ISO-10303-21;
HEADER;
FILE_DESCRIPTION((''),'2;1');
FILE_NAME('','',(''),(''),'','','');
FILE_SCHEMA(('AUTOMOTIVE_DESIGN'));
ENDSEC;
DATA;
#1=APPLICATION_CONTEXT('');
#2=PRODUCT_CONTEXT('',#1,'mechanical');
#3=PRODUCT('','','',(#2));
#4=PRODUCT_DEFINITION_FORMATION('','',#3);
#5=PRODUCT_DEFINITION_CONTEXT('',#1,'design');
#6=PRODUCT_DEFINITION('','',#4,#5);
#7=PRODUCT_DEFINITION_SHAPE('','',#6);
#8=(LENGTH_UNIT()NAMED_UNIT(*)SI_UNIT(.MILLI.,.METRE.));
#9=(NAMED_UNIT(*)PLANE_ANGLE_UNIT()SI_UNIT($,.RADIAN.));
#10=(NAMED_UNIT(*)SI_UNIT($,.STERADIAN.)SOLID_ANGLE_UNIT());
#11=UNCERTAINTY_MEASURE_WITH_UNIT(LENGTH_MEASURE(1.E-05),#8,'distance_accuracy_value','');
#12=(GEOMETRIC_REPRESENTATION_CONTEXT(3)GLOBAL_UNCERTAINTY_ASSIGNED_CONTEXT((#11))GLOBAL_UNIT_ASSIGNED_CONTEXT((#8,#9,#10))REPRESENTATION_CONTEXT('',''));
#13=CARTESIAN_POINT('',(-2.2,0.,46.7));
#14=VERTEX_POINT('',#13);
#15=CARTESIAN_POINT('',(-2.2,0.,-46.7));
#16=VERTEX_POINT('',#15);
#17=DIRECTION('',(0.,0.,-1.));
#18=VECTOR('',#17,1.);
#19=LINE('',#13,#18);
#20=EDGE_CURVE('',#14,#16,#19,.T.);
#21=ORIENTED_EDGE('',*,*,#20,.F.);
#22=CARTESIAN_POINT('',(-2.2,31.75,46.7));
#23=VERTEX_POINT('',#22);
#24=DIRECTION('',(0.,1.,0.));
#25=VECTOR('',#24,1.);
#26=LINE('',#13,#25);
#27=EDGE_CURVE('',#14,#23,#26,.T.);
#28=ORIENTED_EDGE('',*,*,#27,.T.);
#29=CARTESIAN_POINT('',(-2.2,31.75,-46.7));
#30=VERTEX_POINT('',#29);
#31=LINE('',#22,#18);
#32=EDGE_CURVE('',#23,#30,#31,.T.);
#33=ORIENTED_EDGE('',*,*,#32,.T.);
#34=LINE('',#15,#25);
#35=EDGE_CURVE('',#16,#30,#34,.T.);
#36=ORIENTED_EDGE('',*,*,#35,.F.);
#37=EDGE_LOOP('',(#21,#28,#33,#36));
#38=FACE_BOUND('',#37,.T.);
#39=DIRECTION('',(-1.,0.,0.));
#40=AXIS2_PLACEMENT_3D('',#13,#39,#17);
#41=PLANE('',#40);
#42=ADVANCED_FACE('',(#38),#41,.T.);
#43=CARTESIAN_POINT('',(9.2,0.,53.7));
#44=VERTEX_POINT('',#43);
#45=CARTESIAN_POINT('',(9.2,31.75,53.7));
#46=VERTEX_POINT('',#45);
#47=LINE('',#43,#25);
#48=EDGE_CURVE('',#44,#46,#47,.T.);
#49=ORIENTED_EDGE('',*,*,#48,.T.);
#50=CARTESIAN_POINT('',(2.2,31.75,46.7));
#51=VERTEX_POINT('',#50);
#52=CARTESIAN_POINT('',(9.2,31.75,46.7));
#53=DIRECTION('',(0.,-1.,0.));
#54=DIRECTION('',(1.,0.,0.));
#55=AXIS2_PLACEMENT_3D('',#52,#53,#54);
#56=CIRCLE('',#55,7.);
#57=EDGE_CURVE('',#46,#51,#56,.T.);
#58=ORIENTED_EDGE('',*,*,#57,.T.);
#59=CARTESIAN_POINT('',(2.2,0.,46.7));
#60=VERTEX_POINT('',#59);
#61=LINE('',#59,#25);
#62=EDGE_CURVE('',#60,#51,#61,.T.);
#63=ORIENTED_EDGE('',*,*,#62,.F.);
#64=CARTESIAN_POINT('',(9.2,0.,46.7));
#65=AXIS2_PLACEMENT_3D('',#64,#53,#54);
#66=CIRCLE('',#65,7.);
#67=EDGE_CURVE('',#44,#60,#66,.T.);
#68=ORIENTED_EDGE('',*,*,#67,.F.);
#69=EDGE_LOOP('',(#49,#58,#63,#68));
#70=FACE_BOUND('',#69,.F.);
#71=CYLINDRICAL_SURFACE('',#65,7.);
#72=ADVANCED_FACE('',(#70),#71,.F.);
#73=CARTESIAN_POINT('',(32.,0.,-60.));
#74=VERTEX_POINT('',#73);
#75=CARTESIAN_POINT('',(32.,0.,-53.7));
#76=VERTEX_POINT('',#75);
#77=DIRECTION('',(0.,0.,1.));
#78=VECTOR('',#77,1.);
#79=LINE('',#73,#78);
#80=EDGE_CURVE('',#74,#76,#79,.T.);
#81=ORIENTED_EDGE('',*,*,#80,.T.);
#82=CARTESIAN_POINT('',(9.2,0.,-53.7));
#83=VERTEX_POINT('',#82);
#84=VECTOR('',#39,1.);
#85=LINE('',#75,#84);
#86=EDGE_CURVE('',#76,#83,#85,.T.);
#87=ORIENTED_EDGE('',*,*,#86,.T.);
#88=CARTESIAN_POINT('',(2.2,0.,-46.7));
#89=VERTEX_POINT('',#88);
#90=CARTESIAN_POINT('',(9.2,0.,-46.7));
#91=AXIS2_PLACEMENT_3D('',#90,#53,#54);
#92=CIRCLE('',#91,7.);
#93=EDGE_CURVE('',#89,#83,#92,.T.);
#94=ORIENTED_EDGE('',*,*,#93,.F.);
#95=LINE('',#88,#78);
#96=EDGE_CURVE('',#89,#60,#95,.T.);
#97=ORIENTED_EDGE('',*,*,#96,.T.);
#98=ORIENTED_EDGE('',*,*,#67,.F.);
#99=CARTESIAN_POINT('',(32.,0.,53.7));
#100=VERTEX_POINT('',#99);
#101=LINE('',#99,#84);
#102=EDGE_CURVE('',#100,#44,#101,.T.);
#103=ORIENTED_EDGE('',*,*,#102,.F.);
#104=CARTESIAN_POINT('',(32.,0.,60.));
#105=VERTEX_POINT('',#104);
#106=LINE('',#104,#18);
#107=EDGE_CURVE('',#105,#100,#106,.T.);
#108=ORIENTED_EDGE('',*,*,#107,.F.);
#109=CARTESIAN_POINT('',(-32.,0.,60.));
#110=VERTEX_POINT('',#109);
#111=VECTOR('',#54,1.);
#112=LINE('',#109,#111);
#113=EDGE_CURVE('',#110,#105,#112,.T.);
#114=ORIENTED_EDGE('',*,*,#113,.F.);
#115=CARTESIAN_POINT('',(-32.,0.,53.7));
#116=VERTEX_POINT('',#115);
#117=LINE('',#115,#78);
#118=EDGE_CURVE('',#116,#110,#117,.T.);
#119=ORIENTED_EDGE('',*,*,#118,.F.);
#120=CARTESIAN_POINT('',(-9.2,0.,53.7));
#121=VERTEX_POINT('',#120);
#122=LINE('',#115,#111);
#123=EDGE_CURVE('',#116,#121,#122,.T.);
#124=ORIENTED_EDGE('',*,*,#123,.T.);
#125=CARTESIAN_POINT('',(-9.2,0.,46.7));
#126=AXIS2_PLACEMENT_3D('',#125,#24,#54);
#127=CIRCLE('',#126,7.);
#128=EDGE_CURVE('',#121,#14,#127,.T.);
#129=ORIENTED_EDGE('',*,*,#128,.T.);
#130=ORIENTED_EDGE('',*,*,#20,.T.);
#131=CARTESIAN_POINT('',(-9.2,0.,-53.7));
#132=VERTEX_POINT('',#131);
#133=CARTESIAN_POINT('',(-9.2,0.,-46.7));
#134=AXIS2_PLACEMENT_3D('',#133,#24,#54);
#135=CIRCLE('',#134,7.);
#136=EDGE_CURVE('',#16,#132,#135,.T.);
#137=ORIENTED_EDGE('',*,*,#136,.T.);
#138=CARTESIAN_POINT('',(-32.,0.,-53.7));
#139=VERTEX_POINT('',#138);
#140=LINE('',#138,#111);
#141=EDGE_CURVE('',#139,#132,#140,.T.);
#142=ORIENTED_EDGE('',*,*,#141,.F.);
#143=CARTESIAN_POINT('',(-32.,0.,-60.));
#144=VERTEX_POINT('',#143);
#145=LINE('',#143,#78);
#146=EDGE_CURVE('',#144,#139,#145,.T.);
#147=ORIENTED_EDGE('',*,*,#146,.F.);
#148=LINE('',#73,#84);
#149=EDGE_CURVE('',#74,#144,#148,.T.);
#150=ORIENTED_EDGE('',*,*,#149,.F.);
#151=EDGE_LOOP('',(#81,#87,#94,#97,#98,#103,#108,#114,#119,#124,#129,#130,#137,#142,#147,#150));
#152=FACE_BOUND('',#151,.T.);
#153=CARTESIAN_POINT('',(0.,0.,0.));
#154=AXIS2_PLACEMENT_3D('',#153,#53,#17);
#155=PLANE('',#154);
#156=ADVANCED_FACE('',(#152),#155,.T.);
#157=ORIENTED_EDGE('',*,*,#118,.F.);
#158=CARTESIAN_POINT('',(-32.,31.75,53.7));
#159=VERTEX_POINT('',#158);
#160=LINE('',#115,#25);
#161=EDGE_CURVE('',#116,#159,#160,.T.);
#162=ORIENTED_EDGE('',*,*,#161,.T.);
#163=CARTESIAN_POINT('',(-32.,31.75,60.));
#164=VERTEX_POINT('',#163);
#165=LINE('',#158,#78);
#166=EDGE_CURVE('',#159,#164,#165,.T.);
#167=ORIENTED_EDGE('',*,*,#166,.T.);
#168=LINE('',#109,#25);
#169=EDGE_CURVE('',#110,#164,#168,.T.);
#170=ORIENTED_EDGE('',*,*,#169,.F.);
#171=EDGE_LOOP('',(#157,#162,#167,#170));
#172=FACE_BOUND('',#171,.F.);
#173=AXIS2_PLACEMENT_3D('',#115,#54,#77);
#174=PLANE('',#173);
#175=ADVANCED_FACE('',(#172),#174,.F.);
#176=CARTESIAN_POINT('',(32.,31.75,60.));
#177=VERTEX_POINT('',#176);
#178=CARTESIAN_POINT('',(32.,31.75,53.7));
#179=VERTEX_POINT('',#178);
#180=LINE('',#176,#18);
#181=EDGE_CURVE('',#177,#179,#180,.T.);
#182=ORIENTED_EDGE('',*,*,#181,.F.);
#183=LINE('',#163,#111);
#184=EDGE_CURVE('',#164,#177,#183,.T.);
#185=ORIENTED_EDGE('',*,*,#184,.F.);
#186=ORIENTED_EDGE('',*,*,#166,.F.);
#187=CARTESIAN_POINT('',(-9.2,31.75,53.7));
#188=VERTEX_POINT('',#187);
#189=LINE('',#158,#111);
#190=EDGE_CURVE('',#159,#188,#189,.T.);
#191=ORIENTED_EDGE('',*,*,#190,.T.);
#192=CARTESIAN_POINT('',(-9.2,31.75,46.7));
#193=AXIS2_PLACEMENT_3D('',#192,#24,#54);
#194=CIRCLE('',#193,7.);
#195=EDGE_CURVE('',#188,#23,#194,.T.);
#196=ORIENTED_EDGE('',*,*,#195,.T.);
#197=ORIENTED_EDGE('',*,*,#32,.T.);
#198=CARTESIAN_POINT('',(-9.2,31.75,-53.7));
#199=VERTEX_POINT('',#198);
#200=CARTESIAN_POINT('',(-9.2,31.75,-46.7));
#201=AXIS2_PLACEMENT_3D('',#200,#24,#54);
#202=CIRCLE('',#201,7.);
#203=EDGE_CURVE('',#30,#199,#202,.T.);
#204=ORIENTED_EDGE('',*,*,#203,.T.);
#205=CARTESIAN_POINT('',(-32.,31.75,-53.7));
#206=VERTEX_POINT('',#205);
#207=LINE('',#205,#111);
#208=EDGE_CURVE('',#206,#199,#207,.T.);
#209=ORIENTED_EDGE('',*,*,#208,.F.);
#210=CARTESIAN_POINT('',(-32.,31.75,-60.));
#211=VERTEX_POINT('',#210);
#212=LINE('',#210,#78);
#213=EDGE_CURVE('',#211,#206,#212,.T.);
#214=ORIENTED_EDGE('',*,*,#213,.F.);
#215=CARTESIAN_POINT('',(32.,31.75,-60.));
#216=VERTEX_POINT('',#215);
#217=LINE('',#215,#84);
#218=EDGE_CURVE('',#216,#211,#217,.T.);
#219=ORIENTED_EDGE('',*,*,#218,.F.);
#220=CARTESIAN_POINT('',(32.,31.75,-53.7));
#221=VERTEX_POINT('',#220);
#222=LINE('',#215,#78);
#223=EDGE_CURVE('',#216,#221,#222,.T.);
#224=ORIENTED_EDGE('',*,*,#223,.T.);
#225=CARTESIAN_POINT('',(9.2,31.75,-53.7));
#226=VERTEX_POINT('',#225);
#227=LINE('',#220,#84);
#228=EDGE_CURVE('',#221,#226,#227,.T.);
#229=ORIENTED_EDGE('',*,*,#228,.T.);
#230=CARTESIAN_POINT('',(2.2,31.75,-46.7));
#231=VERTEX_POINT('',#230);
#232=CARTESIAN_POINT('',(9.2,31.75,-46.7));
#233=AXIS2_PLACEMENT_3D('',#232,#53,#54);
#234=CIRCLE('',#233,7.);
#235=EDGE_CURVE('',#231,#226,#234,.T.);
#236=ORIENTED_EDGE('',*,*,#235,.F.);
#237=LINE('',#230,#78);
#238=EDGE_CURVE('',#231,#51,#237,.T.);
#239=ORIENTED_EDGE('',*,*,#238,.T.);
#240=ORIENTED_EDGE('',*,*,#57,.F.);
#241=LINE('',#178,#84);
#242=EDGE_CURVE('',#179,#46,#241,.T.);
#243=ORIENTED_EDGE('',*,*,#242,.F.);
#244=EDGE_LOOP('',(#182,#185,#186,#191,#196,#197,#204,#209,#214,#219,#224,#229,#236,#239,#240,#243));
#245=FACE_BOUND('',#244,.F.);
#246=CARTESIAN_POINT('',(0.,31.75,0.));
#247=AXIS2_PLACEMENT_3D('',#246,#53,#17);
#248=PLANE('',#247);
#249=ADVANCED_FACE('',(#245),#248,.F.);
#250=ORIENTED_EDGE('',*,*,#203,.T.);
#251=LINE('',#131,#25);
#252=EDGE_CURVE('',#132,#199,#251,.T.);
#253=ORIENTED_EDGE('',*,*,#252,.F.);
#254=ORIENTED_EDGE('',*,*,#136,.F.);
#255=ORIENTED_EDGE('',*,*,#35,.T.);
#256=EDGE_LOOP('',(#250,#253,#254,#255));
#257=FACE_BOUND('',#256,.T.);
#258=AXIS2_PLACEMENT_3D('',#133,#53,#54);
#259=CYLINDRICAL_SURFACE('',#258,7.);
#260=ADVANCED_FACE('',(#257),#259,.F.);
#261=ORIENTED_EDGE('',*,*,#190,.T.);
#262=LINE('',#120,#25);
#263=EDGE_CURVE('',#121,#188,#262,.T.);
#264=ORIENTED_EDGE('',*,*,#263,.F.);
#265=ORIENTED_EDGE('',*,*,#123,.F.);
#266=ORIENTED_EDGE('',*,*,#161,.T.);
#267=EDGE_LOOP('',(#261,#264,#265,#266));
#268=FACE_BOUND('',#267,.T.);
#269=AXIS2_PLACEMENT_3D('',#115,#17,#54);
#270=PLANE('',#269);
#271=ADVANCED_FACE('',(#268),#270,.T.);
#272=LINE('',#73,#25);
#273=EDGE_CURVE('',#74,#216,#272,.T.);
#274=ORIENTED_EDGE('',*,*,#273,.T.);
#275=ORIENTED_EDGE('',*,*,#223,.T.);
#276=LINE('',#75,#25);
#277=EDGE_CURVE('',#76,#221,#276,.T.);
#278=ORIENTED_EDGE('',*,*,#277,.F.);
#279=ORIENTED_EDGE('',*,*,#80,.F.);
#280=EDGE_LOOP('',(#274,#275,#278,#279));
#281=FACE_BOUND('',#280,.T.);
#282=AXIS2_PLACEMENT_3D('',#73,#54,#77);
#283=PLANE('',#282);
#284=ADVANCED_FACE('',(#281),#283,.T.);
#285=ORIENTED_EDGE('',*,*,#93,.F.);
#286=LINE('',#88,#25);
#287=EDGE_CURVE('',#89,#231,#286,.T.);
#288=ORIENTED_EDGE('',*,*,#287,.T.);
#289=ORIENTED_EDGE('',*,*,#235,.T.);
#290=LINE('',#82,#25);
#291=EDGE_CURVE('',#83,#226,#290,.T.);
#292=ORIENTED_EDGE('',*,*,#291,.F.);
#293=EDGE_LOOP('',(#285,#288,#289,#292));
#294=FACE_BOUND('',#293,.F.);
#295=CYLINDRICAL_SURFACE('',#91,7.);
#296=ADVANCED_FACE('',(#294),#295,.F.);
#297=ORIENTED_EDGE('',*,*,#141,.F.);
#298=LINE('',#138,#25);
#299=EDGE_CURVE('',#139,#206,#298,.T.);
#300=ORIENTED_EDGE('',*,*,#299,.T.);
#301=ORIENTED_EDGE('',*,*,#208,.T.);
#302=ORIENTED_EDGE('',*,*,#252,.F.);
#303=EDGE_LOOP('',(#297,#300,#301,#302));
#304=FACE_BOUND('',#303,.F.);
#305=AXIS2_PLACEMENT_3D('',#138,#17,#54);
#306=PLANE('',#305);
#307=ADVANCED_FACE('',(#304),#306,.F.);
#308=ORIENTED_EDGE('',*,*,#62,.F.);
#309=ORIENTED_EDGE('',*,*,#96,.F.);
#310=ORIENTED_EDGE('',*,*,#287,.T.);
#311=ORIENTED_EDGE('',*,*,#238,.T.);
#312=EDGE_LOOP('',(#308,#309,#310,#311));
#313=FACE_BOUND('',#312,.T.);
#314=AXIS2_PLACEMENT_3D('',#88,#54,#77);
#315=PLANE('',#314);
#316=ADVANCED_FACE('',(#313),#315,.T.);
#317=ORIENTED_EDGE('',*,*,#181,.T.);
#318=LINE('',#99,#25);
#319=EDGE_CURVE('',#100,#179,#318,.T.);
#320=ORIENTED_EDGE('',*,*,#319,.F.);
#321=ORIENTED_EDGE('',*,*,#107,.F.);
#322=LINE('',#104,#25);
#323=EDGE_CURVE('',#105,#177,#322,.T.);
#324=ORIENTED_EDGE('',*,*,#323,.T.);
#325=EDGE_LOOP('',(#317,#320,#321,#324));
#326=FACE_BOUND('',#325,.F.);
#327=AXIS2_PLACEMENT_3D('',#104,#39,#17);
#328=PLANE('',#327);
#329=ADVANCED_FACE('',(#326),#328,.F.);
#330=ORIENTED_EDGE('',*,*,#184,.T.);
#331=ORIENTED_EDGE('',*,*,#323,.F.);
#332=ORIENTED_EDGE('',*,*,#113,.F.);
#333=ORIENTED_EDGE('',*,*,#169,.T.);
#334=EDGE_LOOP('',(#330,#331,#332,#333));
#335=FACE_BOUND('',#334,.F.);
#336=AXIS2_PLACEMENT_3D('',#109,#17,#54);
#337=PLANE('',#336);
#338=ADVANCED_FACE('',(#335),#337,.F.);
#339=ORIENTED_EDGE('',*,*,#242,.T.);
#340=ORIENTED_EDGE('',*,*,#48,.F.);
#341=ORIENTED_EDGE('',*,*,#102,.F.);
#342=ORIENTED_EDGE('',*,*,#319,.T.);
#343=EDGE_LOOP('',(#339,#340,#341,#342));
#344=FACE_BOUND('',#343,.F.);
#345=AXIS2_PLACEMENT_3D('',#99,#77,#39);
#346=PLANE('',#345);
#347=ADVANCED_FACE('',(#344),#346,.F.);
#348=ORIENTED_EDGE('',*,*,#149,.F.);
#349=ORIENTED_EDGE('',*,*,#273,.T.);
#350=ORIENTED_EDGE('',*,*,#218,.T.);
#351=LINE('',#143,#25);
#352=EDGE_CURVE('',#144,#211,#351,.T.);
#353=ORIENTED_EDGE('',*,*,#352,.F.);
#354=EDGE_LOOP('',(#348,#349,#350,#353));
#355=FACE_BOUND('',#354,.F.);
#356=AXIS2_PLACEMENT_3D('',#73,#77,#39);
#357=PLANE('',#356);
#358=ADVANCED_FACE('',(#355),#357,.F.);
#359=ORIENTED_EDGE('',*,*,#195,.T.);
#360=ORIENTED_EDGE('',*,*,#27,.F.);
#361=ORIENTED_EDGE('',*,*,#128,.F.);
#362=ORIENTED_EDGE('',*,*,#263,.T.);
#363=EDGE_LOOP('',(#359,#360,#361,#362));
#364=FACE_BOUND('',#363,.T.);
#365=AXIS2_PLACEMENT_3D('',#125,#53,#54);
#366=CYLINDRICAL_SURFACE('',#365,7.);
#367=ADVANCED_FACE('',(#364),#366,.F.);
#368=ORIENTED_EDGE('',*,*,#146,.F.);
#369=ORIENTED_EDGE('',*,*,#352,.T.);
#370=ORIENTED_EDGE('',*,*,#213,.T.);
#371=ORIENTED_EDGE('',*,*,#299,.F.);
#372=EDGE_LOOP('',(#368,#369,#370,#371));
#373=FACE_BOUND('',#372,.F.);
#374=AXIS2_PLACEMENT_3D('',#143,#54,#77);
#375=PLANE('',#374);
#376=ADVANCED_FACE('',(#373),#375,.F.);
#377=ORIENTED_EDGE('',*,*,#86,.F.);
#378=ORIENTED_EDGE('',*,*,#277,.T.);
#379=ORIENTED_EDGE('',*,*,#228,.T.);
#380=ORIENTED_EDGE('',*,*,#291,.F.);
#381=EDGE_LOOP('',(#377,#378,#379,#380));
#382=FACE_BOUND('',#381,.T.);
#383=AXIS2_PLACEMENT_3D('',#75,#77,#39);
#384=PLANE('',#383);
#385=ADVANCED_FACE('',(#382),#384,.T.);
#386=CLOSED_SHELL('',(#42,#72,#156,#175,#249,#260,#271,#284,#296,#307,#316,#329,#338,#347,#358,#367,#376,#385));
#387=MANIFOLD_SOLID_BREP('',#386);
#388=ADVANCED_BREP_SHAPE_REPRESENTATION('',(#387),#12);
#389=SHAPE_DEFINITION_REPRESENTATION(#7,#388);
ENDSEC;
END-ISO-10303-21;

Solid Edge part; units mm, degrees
sketch "Sketch1" plane through (0, 0, 0) normal (0, -1, 0) x (1, 0, 0)
  line L0 (-2.2, 46.7) -> (-2.2, -46.7)
  arc A0 (-2.2, -46.7) -> (-9.2, -53.7) centre (-9.2, -46.7) cw
  line L1 (-32, -53.7) -> (-9.2, -53.7)
  line L2 (-32, -60) -> (-32, -53.7)
  line L3 (32, -60) -> (-32, -60)
  line L4 (32, -60) -> (32, -53.7)
  line L5 (32, -53.7) -> (9.2, -53.7)
  arc A1 (2.2, -46.7) -> (9.2, -53.7) centre (9.2, -46.7) ccw
  line L6 (2.2, -46.7) -> (2.2, 46.7)
  arc A2 (9.2, 53.7) -> (2.2, 46.7) centre (9.2, 46.7) ccw
  line L7 (32, 53.7) -> (9.2, 53.7)
  line L8 (32, 60) -> (32, 53.7)
  line L9 (-32, 60) -> (32, 60)
  line L10 (-32, 53.7) -> (-32, 60)
  line L11 (-32, 53.7) -> (-9.2, 53.7)
  arc A3 (-9.2, 53.7) -> (-2.2, 46.7) centre (-9.2, 46.7) cw
  dimension "D1" = 32
  dimension "D2" = 32
extrude "Protrusion1" add sketch "Sketch1" against normal blind 31.75
